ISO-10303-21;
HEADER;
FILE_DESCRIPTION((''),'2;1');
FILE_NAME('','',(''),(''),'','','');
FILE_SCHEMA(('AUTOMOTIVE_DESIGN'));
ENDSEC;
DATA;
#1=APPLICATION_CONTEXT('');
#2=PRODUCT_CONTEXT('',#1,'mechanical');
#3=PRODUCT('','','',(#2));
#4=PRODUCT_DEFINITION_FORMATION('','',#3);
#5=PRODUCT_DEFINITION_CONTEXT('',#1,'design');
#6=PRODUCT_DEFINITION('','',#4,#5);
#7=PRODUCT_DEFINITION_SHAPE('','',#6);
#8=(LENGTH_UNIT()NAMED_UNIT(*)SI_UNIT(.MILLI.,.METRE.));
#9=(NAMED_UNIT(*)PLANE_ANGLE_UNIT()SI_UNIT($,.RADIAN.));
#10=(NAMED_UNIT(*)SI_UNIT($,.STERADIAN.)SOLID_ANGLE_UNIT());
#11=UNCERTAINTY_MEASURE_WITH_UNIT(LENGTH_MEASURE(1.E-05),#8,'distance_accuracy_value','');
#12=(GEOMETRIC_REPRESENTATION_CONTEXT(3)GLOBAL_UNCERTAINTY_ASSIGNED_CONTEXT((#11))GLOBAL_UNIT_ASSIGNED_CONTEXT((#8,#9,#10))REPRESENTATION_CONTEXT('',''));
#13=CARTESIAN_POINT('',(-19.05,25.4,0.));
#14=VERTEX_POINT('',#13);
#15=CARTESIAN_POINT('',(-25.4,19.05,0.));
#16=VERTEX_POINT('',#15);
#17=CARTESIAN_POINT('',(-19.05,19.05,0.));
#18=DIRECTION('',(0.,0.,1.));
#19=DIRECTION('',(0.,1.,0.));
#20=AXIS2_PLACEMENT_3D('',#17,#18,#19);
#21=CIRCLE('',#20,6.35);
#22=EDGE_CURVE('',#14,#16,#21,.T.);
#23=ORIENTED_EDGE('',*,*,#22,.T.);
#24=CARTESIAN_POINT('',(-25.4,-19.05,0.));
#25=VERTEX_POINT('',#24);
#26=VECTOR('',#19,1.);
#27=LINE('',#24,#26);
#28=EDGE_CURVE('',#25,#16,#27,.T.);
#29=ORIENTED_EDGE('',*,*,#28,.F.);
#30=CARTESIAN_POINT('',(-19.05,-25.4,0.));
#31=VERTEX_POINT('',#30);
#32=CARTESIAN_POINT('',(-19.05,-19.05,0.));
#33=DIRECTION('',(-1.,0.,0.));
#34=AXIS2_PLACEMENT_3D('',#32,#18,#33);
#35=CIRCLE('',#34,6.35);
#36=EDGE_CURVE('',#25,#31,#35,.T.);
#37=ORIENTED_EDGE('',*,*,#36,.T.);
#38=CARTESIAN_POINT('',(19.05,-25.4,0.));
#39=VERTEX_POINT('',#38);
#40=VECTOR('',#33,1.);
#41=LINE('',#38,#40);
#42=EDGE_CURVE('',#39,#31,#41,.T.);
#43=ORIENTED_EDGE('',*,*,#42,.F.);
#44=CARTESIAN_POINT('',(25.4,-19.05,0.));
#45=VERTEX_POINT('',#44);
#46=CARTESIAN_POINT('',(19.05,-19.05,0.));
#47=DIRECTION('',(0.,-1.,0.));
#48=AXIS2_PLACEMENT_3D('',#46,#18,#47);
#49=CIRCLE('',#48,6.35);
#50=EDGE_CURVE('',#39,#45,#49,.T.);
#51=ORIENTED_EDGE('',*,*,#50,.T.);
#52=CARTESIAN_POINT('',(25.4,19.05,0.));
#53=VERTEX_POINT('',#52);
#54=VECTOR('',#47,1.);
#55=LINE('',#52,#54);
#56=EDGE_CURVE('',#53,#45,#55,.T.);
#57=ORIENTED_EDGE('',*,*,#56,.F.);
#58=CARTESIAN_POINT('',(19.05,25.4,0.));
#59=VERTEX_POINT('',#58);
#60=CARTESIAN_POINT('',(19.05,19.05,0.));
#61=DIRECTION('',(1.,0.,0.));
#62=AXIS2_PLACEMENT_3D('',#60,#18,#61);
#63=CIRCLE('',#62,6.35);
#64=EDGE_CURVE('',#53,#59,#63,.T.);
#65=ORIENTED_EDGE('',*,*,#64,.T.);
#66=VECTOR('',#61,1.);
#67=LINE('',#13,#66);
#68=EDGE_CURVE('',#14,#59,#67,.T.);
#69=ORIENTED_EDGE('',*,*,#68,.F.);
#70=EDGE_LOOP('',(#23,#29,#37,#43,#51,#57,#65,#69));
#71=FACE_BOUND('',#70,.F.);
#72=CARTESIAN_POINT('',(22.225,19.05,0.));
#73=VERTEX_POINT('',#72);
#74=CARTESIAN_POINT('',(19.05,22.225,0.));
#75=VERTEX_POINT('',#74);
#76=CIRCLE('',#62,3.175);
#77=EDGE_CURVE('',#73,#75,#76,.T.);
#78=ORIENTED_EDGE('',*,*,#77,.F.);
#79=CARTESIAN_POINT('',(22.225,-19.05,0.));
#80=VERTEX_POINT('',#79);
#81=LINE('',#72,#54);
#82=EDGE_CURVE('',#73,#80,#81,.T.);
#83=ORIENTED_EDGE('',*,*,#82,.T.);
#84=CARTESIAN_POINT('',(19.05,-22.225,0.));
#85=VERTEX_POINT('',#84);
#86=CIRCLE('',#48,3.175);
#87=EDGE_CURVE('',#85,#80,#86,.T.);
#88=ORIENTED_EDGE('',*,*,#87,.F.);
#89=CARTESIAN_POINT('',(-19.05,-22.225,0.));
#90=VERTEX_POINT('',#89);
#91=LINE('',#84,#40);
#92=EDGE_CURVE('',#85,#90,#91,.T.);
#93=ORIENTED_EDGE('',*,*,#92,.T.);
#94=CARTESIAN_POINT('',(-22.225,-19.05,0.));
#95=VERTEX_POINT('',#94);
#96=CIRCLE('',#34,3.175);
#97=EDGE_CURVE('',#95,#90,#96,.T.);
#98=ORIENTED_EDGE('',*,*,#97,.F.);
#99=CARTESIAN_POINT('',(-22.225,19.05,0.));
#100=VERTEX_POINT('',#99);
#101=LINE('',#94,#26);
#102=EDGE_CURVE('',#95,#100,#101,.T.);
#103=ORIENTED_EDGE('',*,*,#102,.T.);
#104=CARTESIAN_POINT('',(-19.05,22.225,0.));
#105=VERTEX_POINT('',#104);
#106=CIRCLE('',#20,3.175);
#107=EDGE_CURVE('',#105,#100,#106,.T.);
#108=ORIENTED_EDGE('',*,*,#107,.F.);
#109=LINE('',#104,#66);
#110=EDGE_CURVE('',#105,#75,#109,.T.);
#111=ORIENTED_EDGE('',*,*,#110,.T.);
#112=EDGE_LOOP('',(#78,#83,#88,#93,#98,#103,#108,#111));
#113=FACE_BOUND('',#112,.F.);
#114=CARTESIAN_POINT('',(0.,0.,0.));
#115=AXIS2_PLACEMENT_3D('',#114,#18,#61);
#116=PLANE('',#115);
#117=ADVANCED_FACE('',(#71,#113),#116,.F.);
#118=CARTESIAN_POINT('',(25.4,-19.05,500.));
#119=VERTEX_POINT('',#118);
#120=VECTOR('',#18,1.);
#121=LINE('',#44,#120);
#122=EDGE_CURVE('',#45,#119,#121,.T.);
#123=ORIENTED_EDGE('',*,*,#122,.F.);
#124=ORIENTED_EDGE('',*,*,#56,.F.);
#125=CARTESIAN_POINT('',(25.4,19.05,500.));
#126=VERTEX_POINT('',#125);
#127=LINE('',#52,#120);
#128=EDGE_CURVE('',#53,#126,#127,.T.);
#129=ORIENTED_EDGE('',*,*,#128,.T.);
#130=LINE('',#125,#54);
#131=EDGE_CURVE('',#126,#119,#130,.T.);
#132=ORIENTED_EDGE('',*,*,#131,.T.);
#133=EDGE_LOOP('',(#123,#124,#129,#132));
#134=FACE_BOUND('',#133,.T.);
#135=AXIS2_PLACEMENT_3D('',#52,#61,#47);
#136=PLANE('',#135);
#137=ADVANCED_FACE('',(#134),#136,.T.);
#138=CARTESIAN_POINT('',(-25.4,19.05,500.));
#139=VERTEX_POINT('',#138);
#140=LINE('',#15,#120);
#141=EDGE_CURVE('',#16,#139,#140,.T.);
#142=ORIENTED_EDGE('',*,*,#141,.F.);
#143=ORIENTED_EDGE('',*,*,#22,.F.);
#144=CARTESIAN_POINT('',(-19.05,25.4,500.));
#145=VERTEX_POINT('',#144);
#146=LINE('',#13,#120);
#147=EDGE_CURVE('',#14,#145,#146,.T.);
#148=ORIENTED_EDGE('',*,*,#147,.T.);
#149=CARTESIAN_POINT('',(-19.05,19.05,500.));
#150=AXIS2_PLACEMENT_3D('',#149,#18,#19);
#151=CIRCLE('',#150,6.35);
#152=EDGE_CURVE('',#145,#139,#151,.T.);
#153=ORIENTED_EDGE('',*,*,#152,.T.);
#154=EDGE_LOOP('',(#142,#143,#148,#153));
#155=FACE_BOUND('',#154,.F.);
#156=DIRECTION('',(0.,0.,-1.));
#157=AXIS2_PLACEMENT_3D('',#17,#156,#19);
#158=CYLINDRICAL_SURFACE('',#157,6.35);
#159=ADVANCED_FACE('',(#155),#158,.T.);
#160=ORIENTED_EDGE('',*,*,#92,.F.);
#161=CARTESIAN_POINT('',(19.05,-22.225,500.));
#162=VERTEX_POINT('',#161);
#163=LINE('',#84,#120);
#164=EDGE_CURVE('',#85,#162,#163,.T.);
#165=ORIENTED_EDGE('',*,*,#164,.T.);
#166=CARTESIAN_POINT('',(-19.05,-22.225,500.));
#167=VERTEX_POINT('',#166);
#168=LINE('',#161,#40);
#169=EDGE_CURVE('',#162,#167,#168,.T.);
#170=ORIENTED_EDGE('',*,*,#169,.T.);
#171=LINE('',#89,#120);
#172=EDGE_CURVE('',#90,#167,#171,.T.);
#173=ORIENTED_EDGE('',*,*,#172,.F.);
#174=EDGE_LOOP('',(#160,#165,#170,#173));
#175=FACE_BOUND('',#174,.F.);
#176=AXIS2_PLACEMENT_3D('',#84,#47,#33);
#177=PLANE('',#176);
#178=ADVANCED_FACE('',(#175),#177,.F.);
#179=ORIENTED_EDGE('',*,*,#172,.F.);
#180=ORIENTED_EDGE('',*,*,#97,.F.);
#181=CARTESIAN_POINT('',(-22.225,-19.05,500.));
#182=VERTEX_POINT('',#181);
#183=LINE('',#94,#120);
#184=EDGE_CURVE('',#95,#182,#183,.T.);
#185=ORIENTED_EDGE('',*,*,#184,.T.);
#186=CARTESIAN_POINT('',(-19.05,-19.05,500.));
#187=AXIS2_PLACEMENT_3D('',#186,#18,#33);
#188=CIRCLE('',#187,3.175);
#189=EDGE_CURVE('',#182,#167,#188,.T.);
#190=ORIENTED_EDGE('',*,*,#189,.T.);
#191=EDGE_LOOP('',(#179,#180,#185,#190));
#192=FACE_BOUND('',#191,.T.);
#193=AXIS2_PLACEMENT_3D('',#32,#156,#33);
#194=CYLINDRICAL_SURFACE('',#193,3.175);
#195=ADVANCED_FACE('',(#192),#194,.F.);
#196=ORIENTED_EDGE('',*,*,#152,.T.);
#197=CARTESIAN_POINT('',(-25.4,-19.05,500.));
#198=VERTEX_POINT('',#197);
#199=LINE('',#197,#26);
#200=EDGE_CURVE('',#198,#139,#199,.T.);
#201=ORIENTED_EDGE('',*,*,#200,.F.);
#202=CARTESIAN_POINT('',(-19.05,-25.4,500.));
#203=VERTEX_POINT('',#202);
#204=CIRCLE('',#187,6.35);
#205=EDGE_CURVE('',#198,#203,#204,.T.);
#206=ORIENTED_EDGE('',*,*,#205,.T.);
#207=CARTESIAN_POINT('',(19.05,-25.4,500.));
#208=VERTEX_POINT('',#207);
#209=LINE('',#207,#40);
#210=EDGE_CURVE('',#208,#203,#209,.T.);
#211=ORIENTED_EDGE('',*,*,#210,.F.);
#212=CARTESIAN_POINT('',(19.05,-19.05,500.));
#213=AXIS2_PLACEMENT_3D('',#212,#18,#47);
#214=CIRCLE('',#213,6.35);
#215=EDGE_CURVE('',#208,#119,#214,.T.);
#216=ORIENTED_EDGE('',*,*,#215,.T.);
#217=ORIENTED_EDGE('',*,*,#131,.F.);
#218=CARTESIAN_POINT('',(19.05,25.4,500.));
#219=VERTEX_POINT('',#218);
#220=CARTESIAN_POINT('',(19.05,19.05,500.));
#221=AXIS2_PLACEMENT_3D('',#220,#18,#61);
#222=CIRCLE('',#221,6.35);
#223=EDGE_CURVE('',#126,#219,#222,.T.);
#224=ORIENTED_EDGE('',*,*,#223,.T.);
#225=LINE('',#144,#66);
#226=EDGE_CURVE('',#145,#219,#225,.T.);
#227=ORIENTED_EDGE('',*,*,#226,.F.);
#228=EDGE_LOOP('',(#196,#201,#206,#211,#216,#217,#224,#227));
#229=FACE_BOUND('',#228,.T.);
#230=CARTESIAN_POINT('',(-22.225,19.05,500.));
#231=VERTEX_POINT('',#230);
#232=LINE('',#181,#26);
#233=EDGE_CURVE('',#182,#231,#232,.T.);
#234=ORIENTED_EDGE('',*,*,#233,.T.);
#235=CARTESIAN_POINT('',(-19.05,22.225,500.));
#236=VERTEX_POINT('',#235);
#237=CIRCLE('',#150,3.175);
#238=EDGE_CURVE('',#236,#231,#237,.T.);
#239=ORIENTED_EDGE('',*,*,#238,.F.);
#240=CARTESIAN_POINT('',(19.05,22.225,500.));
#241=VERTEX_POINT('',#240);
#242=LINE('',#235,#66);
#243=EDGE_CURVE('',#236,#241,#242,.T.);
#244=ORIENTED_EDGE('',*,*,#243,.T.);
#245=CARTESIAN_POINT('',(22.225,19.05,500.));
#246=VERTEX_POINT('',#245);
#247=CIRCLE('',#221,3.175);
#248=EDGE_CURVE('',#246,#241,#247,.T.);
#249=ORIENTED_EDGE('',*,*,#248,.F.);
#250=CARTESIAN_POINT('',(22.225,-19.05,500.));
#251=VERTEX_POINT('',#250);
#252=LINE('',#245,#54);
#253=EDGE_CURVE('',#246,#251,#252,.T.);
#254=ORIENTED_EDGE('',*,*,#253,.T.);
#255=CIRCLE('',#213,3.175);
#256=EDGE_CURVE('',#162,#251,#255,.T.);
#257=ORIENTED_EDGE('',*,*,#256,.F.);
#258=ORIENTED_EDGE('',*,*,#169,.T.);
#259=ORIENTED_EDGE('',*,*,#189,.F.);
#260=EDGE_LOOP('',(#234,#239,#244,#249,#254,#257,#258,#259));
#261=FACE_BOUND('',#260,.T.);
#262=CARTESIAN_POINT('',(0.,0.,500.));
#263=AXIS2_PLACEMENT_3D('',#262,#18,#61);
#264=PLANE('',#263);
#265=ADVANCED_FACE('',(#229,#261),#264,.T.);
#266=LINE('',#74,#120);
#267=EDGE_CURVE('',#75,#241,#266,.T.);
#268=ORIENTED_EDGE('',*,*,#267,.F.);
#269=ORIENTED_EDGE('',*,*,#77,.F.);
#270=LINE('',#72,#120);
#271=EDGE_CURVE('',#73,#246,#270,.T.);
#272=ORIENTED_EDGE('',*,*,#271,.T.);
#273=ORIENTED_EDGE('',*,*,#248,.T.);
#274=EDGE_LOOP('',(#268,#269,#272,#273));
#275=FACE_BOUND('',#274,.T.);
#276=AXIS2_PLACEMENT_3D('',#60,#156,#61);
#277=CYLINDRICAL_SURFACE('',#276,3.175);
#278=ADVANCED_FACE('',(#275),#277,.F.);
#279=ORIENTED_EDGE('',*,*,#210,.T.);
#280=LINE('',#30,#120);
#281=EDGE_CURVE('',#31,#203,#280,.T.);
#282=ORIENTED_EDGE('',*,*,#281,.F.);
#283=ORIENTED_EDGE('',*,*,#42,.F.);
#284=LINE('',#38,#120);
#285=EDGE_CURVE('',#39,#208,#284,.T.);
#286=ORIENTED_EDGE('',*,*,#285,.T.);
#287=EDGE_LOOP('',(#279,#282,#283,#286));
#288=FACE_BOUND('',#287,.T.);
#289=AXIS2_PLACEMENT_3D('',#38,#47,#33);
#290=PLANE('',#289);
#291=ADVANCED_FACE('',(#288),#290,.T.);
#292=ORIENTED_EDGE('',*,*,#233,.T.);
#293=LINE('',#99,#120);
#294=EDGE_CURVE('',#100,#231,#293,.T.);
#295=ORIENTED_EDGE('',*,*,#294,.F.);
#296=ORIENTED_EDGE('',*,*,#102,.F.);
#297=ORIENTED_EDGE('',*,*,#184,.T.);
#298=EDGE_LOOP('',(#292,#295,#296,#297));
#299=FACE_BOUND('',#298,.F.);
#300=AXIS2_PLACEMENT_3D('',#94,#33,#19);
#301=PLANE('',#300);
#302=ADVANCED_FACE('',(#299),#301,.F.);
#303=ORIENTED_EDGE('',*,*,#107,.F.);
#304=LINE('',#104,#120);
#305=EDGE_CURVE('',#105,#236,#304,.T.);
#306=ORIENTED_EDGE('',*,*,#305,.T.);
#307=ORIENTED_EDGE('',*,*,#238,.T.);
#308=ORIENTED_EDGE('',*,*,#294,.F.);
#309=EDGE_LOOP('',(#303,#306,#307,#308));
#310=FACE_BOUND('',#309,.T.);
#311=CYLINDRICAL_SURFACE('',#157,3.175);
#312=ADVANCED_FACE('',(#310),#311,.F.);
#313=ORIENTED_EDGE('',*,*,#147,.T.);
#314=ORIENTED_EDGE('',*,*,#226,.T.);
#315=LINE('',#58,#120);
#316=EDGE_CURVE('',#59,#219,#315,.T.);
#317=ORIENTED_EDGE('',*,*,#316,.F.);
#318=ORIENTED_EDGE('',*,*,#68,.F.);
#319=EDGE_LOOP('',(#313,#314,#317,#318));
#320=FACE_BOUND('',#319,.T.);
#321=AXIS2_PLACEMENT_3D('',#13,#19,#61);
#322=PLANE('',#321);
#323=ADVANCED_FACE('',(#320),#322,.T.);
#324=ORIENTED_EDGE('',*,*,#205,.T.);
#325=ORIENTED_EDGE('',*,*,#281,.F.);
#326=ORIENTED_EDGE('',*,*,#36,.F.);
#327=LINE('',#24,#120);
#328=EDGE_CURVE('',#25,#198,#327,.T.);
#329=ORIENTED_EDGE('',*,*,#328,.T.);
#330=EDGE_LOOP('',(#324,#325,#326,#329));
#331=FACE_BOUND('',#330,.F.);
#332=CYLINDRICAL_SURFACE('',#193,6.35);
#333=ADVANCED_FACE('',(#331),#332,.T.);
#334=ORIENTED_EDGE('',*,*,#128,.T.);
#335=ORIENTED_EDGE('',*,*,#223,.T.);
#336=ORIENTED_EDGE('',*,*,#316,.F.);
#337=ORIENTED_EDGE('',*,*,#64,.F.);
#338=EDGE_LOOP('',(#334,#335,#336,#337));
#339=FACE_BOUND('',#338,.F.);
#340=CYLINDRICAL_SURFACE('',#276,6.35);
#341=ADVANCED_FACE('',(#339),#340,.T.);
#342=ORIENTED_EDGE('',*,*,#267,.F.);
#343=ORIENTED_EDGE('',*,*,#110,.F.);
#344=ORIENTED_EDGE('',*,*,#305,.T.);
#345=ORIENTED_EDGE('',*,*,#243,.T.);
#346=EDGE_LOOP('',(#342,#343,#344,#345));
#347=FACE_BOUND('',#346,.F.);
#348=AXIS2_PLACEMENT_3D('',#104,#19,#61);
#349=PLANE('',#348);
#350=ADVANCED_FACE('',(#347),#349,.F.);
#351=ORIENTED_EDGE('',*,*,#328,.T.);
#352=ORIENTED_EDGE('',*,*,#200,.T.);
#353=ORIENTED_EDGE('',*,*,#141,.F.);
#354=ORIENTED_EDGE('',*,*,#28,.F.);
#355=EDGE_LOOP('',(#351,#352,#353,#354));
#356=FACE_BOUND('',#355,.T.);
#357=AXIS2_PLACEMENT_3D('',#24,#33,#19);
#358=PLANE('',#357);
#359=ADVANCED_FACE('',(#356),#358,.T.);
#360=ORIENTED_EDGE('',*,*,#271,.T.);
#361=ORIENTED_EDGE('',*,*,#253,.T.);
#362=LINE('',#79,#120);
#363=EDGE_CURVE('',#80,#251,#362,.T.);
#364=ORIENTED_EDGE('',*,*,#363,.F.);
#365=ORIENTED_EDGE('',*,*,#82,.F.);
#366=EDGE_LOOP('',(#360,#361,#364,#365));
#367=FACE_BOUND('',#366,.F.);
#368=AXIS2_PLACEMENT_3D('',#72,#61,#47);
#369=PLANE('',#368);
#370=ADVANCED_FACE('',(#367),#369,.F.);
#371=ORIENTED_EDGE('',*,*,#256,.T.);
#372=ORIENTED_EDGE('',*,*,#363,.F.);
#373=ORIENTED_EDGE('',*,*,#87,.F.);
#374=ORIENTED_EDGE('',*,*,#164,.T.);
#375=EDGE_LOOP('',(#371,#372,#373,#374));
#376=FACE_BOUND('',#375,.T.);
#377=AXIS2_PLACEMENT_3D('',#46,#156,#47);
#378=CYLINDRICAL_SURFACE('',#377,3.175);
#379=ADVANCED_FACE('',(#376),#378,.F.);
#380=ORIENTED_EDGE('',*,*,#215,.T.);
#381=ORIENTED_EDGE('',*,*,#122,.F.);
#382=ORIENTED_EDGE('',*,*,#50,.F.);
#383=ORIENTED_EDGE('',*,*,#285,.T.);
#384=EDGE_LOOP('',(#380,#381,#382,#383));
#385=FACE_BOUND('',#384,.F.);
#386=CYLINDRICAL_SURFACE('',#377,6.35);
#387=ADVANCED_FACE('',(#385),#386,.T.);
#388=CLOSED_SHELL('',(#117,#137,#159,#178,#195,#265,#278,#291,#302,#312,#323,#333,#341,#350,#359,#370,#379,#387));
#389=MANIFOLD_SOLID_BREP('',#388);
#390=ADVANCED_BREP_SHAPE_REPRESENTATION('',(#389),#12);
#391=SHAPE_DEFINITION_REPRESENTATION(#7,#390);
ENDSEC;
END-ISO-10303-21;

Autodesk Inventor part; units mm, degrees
ref_plane "YZ Plane" through (0, 0, 0) normal (1, 0, 0) x (0, 1, 0)
ref_plane "Plano inicial" through (0, 0, 0) normal (0, 0, 1) x (1, 0, 0)
ref_plane "Plano final" through (0, 0, 500) normal (0, 0, 1) x (1, 0, 0)
sketch "Boceto" plane through (0, 0, 0) normal (0, 0, 1) x (1, 0, 0)
  line L0 (-25.4, -19.05) -> (-25.4, 19.05)
  line L1 (-19.05, 25.4) -> (19.05, 25.4)
  line L2 (25.4, 19.05) -> (25.4, -19.05)
  line L3 (19.05, -25.4) -> (-19.05, -25.4)
  arc A0 (-25.4, -19.05) -> (-19.05, -25.4) centre (-19.05, -19.05) ccw
  arc A1 (-19.05, 25.4) -> (-25.4, 19.05) centre (-19.05, 19.05) ccw
  arc A2 (25.4, 19.05) -> (19.05, 25.4) centre (19.05, 19.05) ccw
  arc A3 (19.05, -25.4) -> (25.4, -19.05) centre (19.05, -19.05) ccw
  arc A4 (-19.05, 22.225) -> (-22.225, 19.05) centre (-19.05, 19.05) ccw
  line L4 (-19.05, 22.225) -> (19.05, 22.225)
  arc A5 (22.225, 19.05) -> (19.05, 22.225) centre (19.05, 19.05) ccw
  line L5 (22.225, 19.05) -> (22.225, -19.05)
  arc A6 (19.05, -22.225) -> (22.225, -19.05) centre (19.05, -19.05) ccw
  line L6 (19.05, -22.225) -> (-19.05, -22.225)
  arc A7 (-22.225, -19.05) -> (-19.05, -22.225) centre (-19.05, -19.05) ccw
  line L7 (-22.225, -19.05) -> (-22.225, 19.05)
  line L8 (0, 37.4012) -> (0, -37.4012) construction
  line L9 (-37.4012, 0) -> (37.4012, 0) construction
  dimension "d10" = 50.8
  dimension "d11" = 50.8
  dimension "d12" = 3.175
  dimension "d15" = 25.4
  dimension "d16" = 25.4
  dimension "d17" = 6.35
extrude "Cuerpo" add sketch "Boceto" along normal up to surface (500 mm away) from surface at 0
sketch "Sketch3" plane through (0, 0, 0) normal (0, 0, 1) x (1, 0, 0)
  line L0 (0, 0) -> (10, 0)
ref_plane "Work Plane3" through (0, 0, 0) normal (0, -1, 0) x (1, 0, 0)
sketch "Sketch4" plane through (0, 0, 0) normal (0, -1, 0) x (1, 0, 0)
  line L0 (-2, 0) -> (12, 0) projected
  line L1 (-2, 500) -> (12, 500) projected
  dimension "d19" = 500
equation "\"d10\" = G_H"
equation "\"d11\" = G_W"
equation "\"d12\" = G_T"
equation "\"d15\" = 0.5 * d10"
equation "\"d16\" = 0.5 * d11"
equation "\"d17\" = G_IR"
equation "\"d3\" = G_L"
equation "\"G_W\" = 50.8"
equation "\"G_H\" = 50.8"
equation "\"G_T\" = 3.175"
equation "\"G_IR\" = 6.35"
equation "\"G_L\" = d19"
equation "\"G_OFFSET_START\" = 0"
equation "\"G_OFFSET_END\" = 0"
properties part number "AISC - 2 x 2 x 1/8 - 19,685" material "Acero, suave"
